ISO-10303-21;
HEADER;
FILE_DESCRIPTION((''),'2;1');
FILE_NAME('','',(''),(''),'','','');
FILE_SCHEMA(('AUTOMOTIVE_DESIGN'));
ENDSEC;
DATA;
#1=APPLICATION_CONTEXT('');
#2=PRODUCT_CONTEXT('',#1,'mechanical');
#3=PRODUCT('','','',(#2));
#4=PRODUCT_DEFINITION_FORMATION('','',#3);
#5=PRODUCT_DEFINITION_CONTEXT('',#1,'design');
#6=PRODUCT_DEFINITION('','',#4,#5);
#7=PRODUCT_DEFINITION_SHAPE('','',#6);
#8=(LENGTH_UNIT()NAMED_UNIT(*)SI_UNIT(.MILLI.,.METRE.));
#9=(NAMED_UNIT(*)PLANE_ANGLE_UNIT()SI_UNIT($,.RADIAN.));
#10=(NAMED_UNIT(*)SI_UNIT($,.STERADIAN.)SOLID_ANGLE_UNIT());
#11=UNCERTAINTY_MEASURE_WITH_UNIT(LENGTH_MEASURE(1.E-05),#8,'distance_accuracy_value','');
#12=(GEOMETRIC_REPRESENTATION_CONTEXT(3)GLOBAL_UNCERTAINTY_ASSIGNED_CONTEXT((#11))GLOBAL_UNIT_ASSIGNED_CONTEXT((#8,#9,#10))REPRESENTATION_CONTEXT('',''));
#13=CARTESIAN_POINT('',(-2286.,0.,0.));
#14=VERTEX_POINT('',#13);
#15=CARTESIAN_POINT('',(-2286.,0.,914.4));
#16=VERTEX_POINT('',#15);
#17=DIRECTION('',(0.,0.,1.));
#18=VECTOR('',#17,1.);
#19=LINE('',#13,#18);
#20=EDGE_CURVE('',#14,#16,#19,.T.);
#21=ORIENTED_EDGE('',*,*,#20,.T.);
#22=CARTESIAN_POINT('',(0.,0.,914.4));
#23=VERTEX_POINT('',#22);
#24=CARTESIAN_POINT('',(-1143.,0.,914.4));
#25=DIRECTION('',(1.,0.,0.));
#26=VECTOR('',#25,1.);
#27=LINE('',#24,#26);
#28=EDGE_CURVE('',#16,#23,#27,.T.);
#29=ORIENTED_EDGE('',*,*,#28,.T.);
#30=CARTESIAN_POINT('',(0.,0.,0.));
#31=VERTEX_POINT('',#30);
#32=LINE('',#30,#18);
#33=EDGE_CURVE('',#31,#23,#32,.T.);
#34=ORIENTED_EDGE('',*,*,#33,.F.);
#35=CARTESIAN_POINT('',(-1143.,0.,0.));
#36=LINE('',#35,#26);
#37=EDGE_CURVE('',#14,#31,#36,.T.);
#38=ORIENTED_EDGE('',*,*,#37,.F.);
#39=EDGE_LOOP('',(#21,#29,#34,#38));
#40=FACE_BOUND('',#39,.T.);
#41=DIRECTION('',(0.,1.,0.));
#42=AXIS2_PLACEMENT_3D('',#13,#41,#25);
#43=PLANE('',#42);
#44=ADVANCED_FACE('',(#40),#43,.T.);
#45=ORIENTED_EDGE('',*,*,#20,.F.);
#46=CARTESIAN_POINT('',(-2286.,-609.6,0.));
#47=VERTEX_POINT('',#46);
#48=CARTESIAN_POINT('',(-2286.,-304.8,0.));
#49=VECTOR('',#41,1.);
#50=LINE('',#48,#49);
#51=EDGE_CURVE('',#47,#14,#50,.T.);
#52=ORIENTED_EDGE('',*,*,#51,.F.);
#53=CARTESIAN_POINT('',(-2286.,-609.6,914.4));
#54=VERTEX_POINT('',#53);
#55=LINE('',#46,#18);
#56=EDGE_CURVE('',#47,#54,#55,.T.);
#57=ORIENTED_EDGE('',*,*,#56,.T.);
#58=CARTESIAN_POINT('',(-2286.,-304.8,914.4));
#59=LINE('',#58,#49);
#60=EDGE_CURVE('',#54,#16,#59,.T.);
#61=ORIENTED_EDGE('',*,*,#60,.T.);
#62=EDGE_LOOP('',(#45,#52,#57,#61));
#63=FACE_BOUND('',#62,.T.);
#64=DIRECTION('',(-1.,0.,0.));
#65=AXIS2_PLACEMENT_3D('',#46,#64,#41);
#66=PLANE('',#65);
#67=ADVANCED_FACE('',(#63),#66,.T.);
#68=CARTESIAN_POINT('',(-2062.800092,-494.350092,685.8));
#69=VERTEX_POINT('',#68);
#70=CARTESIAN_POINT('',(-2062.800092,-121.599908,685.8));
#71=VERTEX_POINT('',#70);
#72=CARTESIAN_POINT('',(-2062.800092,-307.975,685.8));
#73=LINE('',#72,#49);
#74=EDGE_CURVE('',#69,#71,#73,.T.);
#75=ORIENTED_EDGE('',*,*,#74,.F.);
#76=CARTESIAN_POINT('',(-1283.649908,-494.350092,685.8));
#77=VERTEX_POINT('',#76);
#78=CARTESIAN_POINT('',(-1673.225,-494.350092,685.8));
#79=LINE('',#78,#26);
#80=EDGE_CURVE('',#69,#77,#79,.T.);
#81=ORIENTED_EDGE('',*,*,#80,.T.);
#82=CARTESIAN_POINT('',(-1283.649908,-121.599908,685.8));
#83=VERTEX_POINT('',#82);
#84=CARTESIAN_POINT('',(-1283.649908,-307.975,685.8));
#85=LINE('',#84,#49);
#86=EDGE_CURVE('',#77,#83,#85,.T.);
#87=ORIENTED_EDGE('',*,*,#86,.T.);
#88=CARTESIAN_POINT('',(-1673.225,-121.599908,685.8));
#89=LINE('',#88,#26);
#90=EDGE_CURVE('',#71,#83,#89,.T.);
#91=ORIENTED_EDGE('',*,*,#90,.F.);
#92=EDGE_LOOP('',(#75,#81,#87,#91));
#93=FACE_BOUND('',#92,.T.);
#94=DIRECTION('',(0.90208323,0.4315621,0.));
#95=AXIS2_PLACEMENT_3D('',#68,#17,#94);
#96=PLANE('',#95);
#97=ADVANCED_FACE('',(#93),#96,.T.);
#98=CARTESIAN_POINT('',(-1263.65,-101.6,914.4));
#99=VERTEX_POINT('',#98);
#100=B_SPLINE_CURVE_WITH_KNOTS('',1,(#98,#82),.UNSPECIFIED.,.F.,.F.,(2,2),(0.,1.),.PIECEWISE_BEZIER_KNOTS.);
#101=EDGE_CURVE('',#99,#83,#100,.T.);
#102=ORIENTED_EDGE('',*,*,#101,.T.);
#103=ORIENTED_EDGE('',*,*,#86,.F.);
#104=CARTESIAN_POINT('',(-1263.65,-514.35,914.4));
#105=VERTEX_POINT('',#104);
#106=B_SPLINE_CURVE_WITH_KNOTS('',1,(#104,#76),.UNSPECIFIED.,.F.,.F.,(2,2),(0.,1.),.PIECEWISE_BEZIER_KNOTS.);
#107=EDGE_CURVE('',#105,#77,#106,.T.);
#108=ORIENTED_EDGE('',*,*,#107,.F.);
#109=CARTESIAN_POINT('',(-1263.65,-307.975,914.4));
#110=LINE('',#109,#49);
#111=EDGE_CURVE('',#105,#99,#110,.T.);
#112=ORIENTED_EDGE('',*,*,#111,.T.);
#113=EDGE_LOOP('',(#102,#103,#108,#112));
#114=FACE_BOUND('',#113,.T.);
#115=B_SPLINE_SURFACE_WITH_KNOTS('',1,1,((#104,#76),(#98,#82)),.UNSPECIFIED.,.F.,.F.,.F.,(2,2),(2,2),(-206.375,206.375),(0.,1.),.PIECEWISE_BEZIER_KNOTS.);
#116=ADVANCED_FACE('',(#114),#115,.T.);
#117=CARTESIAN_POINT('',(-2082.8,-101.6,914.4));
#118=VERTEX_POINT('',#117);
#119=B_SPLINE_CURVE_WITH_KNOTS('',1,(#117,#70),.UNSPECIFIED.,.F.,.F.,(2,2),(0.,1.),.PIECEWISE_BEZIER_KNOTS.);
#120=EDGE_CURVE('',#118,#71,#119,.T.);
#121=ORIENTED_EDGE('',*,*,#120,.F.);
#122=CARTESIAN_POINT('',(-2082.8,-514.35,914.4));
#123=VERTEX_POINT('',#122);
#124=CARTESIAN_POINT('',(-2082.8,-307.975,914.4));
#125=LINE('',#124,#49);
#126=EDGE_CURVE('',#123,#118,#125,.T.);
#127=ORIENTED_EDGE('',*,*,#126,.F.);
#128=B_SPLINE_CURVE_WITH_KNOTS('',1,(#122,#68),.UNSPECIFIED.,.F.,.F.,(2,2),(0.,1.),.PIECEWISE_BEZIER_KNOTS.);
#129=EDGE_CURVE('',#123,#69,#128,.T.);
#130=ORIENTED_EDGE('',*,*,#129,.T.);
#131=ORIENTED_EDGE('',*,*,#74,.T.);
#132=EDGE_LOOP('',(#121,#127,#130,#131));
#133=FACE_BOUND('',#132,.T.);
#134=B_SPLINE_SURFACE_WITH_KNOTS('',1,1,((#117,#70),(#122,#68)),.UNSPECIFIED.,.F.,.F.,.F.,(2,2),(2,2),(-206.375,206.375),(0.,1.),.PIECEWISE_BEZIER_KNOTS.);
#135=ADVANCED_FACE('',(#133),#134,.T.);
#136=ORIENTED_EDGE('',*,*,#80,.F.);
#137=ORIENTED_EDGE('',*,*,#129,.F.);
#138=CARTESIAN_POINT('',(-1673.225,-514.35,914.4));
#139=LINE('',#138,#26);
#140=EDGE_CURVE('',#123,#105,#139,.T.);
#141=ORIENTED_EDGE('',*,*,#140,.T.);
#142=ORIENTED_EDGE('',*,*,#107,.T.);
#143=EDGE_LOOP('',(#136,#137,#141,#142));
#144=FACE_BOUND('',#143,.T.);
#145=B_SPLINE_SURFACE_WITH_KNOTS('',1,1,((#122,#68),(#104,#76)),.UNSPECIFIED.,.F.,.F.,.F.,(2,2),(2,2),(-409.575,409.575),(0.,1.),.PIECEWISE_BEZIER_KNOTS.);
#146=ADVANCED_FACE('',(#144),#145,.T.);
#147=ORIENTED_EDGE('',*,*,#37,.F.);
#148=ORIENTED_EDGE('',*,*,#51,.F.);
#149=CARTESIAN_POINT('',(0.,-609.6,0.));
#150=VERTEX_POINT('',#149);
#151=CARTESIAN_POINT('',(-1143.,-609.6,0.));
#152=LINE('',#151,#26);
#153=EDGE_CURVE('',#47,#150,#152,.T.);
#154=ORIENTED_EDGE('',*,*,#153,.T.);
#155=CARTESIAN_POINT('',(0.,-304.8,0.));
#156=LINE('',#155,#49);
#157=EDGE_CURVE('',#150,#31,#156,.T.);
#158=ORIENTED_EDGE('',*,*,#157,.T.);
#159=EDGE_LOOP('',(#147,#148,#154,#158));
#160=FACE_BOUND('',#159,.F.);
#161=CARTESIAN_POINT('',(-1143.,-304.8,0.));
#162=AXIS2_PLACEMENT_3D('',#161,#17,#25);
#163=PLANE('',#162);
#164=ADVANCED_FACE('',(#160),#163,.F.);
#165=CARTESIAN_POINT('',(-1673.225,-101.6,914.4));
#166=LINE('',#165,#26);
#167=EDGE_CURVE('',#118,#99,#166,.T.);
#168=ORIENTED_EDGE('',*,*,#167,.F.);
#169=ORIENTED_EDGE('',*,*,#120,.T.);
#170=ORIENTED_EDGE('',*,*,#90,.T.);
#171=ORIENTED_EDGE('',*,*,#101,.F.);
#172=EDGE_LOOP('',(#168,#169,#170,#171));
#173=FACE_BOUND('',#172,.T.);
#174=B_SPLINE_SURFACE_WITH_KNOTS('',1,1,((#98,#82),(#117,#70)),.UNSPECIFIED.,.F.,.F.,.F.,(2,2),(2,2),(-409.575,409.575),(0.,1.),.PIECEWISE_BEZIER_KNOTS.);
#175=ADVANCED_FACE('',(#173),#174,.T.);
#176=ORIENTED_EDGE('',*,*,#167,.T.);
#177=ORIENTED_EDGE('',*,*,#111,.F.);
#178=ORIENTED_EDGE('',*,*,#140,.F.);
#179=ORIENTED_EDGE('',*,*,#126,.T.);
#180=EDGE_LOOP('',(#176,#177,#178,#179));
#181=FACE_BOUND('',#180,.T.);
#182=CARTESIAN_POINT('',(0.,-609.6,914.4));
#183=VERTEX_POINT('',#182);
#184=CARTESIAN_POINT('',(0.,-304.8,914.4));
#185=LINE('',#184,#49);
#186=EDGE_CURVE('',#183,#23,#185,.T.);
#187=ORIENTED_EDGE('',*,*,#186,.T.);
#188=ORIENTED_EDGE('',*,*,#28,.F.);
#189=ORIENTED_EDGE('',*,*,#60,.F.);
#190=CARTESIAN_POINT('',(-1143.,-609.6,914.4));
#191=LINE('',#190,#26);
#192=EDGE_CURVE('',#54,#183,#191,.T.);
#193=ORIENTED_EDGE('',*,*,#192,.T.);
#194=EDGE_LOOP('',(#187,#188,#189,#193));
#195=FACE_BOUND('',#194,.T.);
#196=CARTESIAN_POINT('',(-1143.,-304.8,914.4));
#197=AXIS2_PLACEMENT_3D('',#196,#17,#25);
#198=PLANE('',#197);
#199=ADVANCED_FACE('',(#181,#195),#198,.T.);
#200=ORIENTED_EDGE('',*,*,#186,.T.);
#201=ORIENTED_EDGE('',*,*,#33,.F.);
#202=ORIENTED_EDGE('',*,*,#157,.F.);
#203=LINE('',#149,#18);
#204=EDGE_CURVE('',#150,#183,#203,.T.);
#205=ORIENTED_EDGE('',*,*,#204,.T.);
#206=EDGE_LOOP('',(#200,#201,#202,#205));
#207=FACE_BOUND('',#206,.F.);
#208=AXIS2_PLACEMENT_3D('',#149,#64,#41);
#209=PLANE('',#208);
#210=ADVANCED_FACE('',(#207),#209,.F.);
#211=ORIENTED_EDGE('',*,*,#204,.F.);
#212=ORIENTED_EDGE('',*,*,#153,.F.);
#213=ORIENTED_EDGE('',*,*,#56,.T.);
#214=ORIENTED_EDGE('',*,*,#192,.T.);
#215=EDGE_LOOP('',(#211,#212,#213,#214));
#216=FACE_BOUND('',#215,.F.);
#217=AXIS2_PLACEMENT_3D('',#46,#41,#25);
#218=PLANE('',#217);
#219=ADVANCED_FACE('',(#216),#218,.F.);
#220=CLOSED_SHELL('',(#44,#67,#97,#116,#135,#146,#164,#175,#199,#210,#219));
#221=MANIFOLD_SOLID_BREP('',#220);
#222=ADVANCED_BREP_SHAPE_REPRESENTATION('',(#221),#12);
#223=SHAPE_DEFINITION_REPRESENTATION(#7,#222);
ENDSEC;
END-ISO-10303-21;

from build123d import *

# Parameters (mm, degrees)
F0_W     = 2286
F0_H     = 609.6
F1_DEPTH = 914.4
F2_W     = 819.15
F2_H     = 412.75
F3_DEPTH = 228.6
F3_TAPER = 5


with BuildPart() as f1:
    # F0 (on Top) → F1 (new body)
    with BuildSketch(Plane.XY):
        with Locations((-1143, -304.8)):
            Rectangle(F0_W, F0_H)
    extrude(amount=F1_DEPTH)

    # F2 (on face) → F3 (cut)
    with BuildSketch(Plane.XY.offset(914.4)):
        with Locations((-1673.225, -307.975)):
            Rectangle(F2_W, F2_H)
    extrude(amount=-F3_DEPTH, taper=F3_TAPER, mode=Mode.SUBTRACT)


solid = f1.part
